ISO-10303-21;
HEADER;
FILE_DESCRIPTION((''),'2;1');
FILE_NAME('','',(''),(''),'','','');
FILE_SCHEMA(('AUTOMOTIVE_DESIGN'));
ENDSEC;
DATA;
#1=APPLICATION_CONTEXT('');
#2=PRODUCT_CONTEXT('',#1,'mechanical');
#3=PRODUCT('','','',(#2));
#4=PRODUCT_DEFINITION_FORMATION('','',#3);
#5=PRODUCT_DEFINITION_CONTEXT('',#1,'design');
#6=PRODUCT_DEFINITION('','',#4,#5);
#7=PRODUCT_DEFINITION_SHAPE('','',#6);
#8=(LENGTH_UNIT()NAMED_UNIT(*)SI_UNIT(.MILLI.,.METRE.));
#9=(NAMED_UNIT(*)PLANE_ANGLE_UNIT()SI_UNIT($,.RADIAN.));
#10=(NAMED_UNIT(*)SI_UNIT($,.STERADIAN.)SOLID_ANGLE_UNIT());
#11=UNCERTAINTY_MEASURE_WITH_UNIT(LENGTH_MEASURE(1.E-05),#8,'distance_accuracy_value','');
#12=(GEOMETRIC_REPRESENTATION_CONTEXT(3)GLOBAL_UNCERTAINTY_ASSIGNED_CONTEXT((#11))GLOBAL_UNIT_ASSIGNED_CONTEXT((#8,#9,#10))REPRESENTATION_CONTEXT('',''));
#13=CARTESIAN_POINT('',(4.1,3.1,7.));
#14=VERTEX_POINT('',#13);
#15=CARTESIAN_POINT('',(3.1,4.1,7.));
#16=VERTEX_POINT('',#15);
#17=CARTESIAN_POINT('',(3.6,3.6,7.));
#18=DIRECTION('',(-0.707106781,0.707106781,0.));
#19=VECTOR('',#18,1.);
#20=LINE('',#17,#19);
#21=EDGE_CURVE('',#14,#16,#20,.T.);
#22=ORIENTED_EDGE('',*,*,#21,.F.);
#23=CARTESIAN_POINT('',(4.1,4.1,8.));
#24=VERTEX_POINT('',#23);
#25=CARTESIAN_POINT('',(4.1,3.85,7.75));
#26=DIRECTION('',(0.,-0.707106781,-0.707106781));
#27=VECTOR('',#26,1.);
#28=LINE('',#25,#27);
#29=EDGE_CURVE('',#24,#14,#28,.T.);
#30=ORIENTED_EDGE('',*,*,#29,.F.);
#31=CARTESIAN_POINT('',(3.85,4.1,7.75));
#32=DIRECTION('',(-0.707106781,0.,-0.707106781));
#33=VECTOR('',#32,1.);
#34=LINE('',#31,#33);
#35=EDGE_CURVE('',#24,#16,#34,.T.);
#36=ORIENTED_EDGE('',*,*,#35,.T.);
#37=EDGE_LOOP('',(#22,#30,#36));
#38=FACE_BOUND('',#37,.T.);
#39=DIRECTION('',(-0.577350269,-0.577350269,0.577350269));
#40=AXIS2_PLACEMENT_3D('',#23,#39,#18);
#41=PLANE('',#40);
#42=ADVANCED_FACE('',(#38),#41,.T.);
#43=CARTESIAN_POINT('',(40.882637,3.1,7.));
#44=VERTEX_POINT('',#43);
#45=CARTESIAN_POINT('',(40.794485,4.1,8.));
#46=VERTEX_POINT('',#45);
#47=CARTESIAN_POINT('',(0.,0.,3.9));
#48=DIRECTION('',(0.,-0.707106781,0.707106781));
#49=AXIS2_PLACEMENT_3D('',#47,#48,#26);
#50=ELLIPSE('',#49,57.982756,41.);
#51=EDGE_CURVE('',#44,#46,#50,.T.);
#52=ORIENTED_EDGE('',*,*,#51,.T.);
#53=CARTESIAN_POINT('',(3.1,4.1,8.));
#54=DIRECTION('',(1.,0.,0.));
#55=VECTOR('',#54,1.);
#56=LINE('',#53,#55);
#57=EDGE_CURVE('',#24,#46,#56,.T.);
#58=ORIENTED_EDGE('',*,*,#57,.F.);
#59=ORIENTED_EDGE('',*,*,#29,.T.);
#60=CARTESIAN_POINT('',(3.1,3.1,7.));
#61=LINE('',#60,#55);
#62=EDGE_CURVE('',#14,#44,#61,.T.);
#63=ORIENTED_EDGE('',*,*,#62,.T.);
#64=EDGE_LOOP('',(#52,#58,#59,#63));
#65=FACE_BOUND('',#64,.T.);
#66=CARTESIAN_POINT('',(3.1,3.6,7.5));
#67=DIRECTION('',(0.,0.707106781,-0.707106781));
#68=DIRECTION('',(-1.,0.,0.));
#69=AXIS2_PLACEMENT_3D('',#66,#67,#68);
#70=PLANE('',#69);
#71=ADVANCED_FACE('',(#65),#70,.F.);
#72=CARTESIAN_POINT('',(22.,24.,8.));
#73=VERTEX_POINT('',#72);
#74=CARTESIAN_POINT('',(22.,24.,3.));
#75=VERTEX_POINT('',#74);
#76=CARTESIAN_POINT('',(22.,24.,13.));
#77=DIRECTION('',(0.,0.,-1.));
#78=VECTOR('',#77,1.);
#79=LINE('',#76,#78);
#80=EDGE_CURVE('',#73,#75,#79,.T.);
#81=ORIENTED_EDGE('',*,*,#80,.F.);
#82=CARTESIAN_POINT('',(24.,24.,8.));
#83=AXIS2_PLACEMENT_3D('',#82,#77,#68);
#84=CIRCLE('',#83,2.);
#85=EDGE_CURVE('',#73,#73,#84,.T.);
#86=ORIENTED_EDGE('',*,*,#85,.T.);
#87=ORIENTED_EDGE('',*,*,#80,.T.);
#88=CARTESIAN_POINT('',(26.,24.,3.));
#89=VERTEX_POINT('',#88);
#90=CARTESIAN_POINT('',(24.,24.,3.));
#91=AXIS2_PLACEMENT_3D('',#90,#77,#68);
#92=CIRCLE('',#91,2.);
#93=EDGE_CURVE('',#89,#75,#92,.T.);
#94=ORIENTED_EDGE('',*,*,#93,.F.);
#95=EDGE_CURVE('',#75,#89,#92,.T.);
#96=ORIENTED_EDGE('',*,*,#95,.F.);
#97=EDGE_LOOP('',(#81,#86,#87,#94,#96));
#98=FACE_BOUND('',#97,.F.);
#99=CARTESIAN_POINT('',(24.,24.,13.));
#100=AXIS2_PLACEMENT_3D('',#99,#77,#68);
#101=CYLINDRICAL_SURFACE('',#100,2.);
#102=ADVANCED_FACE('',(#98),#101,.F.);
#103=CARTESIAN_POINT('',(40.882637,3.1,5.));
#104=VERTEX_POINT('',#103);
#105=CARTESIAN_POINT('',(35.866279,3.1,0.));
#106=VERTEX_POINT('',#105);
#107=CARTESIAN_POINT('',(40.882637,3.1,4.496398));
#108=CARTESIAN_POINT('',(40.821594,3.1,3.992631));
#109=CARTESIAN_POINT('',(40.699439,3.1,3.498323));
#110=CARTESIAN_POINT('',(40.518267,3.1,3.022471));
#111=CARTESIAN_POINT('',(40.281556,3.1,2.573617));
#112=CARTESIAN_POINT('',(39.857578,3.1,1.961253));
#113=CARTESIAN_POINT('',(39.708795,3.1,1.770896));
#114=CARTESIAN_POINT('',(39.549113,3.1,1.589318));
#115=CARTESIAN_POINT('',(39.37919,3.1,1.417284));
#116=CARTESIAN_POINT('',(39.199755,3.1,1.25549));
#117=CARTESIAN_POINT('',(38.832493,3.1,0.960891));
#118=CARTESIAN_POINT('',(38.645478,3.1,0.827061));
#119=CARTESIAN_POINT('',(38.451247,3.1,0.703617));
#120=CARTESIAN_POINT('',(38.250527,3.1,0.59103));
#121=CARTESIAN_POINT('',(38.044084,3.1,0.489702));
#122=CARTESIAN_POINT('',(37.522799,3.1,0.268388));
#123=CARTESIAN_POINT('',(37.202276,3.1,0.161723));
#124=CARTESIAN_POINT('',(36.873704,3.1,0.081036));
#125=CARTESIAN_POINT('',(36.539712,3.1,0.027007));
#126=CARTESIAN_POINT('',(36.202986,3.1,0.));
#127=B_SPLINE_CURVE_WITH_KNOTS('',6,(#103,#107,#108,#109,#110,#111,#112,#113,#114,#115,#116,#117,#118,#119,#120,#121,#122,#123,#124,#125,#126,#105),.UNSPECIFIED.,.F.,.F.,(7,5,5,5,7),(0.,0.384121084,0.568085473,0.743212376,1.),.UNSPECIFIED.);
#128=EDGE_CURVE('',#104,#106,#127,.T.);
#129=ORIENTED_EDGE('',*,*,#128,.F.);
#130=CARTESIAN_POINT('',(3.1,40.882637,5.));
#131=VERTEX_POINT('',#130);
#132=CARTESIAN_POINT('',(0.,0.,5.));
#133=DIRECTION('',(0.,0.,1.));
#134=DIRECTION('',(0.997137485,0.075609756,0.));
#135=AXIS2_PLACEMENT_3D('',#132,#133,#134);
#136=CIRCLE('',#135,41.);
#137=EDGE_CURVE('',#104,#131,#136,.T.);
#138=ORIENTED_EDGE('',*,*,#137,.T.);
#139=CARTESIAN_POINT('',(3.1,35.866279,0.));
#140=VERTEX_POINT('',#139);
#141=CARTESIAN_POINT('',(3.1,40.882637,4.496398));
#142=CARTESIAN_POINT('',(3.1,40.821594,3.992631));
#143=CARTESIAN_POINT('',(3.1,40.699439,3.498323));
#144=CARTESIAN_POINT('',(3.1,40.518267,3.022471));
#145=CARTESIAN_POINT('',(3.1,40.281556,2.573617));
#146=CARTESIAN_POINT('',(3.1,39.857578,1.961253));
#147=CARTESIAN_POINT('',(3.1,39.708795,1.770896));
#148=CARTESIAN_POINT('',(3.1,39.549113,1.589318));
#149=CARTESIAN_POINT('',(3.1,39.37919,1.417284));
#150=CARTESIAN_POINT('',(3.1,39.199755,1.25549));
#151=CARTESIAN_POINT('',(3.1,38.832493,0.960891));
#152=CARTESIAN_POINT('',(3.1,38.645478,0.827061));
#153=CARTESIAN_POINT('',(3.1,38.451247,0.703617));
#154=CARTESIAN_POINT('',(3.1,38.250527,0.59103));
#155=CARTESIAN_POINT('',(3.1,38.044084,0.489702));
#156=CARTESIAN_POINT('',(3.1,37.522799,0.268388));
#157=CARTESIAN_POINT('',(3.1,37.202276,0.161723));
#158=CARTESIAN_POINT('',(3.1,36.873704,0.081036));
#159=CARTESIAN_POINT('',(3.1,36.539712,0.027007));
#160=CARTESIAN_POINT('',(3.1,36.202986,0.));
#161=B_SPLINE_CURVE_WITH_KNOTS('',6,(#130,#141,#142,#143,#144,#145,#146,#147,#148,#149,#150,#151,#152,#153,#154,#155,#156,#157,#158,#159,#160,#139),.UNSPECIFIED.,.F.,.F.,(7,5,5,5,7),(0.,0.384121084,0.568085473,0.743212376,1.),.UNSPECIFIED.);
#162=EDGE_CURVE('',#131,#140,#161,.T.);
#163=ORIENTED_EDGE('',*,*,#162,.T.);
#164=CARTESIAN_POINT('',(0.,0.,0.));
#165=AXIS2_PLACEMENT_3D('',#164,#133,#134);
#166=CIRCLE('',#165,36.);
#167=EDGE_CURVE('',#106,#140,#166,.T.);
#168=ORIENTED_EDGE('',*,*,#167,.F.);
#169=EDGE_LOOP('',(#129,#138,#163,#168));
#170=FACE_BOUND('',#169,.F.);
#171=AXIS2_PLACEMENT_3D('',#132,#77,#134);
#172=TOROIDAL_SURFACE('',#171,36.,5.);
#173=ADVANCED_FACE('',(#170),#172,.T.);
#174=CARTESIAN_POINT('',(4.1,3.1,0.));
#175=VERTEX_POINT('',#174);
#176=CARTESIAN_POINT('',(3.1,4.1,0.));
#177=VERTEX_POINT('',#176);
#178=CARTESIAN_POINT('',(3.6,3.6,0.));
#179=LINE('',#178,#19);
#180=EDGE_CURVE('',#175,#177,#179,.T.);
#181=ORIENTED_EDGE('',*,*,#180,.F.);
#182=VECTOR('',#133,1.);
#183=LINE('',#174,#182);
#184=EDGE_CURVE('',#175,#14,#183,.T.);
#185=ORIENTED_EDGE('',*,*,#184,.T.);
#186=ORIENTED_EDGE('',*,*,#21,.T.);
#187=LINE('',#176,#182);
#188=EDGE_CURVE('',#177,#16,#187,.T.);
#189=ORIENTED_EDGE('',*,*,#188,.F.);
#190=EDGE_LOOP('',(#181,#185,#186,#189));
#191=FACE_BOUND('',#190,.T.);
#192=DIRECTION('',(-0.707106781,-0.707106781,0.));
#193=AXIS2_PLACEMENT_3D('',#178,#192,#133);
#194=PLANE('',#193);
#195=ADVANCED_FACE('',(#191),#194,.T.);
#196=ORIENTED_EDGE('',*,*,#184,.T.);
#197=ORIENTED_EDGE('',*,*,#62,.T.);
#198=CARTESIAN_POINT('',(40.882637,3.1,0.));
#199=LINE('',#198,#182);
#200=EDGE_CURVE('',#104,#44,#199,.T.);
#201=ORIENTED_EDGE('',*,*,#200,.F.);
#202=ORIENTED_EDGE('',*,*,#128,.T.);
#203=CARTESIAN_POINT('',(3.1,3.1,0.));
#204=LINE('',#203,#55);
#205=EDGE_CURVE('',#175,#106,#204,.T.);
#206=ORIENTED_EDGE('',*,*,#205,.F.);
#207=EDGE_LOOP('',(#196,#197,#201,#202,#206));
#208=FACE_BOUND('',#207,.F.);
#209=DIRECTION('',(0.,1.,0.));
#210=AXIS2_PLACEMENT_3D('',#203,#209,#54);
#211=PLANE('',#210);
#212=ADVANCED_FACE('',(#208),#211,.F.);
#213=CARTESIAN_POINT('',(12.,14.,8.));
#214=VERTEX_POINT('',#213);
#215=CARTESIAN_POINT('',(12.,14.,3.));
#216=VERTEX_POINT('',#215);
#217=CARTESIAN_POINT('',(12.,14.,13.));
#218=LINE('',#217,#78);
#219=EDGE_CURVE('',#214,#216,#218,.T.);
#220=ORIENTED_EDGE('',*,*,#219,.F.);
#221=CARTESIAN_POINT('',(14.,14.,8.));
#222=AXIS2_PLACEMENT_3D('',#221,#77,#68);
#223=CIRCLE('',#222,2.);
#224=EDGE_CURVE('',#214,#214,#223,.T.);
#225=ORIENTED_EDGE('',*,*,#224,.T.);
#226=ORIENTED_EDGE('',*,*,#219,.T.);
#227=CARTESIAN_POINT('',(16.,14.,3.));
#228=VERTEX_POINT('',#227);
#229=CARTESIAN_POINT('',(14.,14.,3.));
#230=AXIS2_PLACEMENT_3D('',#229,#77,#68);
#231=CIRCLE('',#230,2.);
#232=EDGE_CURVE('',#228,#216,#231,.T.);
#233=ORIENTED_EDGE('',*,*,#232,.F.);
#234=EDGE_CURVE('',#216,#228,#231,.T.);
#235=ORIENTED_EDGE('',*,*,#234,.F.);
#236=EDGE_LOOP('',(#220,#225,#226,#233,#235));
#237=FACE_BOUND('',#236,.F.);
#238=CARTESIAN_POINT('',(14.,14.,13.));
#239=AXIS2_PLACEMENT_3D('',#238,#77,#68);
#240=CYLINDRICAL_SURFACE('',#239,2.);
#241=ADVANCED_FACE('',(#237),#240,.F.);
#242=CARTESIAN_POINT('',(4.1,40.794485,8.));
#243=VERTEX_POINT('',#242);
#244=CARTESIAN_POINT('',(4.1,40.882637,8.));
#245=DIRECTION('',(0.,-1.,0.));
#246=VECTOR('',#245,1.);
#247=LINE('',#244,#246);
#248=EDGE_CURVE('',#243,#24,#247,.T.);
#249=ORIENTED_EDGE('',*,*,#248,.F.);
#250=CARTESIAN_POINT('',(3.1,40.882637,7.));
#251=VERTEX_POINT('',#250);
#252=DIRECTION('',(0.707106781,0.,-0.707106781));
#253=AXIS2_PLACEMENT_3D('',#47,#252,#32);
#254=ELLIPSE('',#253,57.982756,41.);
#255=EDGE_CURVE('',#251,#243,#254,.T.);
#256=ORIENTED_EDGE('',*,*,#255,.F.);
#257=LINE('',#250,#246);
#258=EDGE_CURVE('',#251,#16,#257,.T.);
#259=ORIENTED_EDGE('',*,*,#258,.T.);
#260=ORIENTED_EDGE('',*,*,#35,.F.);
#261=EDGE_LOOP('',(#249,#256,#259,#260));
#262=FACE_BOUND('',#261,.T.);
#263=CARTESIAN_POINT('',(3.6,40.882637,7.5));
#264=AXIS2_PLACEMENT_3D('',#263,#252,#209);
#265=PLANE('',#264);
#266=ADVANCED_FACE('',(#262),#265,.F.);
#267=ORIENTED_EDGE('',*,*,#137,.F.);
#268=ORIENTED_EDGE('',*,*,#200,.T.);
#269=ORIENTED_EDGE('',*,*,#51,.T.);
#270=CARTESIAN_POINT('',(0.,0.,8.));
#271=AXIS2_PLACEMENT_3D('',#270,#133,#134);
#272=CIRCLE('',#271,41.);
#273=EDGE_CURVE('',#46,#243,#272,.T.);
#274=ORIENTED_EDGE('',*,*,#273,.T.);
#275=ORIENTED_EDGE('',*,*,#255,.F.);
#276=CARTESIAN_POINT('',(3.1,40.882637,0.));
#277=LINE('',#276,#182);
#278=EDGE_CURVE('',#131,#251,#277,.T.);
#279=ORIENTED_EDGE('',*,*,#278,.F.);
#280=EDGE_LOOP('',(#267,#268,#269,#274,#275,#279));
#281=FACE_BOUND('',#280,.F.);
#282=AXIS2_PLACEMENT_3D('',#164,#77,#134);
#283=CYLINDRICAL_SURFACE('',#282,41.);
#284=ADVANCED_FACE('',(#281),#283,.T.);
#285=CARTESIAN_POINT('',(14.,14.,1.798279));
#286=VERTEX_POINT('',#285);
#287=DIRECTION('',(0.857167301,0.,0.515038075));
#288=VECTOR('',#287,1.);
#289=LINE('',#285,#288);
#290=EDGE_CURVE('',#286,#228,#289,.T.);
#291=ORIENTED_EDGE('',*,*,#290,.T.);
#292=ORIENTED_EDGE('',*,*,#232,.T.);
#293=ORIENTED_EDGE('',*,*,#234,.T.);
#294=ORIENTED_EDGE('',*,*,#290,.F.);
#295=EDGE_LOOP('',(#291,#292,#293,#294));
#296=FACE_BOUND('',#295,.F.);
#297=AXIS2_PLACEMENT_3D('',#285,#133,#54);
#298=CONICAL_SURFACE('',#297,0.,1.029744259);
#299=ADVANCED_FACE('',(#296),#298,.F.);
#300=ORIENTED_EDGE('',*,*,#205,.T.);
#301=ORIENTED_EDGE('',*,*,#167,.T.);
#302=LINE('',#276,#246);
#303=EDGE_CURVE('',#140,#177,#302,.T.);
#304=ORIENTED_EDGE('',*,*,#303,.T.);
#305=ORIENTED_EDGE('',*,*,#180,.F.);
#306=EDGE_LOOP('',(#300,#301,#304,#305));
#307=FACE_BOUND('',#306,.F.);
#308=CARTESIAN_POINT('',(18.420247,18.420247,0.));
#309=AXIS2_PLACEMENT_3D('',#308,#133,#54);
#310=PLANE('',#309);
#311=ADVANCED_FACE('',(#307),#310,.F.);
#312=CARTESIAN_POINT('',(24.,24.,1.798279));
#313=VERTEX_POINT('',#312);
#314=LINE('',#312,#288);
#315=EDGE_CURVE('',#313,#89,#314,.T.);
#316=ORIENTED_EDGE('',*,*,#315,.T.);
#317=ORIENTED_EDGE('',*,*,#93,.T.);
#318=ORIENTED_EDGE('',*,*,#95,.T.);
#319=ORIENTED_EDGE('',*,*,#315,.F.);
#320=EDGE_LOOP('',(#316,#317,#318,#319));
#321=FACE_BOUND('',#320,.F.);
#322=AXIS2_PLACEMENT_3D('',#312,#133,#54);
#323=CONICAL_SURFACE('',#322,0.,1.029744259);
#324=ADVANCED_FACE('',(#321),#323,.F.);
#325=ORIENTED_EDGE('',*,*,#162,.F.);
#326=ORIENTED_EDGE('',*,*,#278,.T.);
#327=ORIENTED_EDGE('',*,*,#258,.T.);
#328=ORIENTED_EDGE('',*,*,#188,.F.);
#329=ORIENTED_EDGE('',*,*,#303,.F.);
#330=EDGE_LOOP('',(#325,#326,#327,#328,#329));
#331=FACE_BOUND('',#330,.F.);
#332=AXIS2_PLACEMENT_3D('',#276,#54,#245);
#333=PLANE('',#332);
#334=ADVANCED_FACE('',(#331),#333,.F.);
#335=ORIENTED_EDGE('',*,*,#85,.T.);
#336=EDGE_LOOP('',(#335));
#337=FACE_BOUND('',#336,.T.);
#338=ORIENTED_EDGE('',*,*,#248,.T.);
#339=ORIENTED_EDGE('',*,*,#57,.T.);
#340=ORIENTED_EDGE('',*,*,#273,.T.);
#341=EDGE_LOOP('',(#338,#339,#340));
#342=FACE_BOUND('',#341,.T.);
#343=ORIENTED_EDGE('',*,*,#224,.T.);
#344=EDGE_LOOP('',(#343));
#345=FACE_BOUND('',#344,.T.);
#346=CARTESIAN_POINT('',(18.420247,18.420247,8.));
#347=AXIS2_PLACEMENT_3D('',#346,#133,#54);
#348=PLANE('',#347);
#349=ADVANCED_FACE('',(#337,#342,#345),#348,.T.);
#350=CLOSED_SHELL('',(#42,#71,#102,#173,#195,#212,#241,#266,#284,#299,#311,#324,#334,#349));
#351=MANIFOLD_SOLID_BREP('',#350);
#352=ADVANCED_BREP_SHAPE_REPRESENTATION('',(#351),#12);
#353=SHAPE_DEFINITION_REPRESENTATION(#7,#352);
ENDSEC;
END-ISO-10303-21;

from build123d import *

# Parameters (mm, degrees)
F1_DEPTH = 8
F3_D     = 4
F3_DEPTH = 5
F3_TIP   = 1.2017212381
F4_SIZE  = 1
F5_R     = 5


with BuildPart() as f1:
    # F0 (on Top) → F1 (new body)
    with BuildSketch(Plane.XY):
        with BuildLine():
            Line((3.1, 3.1), (40.8826369013, 3.1))
            ThreePointArc((40.8826369013, 3.1), (28.9913780286, 28.9913780286), (3.1, 40.8826369013))
            Line((3.1, 40.8826369013), (3.1, 3.1))
        make_face()
    extrude(amount=F1_DEPTH)

    # F3
    with Locations(Plane.XY.offset(8)):
        with Locations((14, 14), (24, 24)):
            Hole(F3_D / 2, depth=F3_DEPTH)
            with Locations((0, 0, -(F3_DEPTH + F3_TIP / 2))):  # 118° drill point
                Cone(0, F3_D / 2, F3_TIP, mode=Mode.SUBTRACT)

    # F4
    f4_edges = [f1.edges().sort_by_distance(p)[0] for p in [
        (3.1, 3.1, 4),
        (21.991318, 3.1, 8),
        (3.1, 21.991318, 8),
    ]]
    chamfer(f4_edges, length=F4_SIZE)

    # F5
    f5_edges = [f1.edges().sort_by_distance(p)[0] for p in [
        (28.991378, 28.991378, 0),
    ]]
    fillet(f5_edges, radius=F5_R)


solid = f1.part
